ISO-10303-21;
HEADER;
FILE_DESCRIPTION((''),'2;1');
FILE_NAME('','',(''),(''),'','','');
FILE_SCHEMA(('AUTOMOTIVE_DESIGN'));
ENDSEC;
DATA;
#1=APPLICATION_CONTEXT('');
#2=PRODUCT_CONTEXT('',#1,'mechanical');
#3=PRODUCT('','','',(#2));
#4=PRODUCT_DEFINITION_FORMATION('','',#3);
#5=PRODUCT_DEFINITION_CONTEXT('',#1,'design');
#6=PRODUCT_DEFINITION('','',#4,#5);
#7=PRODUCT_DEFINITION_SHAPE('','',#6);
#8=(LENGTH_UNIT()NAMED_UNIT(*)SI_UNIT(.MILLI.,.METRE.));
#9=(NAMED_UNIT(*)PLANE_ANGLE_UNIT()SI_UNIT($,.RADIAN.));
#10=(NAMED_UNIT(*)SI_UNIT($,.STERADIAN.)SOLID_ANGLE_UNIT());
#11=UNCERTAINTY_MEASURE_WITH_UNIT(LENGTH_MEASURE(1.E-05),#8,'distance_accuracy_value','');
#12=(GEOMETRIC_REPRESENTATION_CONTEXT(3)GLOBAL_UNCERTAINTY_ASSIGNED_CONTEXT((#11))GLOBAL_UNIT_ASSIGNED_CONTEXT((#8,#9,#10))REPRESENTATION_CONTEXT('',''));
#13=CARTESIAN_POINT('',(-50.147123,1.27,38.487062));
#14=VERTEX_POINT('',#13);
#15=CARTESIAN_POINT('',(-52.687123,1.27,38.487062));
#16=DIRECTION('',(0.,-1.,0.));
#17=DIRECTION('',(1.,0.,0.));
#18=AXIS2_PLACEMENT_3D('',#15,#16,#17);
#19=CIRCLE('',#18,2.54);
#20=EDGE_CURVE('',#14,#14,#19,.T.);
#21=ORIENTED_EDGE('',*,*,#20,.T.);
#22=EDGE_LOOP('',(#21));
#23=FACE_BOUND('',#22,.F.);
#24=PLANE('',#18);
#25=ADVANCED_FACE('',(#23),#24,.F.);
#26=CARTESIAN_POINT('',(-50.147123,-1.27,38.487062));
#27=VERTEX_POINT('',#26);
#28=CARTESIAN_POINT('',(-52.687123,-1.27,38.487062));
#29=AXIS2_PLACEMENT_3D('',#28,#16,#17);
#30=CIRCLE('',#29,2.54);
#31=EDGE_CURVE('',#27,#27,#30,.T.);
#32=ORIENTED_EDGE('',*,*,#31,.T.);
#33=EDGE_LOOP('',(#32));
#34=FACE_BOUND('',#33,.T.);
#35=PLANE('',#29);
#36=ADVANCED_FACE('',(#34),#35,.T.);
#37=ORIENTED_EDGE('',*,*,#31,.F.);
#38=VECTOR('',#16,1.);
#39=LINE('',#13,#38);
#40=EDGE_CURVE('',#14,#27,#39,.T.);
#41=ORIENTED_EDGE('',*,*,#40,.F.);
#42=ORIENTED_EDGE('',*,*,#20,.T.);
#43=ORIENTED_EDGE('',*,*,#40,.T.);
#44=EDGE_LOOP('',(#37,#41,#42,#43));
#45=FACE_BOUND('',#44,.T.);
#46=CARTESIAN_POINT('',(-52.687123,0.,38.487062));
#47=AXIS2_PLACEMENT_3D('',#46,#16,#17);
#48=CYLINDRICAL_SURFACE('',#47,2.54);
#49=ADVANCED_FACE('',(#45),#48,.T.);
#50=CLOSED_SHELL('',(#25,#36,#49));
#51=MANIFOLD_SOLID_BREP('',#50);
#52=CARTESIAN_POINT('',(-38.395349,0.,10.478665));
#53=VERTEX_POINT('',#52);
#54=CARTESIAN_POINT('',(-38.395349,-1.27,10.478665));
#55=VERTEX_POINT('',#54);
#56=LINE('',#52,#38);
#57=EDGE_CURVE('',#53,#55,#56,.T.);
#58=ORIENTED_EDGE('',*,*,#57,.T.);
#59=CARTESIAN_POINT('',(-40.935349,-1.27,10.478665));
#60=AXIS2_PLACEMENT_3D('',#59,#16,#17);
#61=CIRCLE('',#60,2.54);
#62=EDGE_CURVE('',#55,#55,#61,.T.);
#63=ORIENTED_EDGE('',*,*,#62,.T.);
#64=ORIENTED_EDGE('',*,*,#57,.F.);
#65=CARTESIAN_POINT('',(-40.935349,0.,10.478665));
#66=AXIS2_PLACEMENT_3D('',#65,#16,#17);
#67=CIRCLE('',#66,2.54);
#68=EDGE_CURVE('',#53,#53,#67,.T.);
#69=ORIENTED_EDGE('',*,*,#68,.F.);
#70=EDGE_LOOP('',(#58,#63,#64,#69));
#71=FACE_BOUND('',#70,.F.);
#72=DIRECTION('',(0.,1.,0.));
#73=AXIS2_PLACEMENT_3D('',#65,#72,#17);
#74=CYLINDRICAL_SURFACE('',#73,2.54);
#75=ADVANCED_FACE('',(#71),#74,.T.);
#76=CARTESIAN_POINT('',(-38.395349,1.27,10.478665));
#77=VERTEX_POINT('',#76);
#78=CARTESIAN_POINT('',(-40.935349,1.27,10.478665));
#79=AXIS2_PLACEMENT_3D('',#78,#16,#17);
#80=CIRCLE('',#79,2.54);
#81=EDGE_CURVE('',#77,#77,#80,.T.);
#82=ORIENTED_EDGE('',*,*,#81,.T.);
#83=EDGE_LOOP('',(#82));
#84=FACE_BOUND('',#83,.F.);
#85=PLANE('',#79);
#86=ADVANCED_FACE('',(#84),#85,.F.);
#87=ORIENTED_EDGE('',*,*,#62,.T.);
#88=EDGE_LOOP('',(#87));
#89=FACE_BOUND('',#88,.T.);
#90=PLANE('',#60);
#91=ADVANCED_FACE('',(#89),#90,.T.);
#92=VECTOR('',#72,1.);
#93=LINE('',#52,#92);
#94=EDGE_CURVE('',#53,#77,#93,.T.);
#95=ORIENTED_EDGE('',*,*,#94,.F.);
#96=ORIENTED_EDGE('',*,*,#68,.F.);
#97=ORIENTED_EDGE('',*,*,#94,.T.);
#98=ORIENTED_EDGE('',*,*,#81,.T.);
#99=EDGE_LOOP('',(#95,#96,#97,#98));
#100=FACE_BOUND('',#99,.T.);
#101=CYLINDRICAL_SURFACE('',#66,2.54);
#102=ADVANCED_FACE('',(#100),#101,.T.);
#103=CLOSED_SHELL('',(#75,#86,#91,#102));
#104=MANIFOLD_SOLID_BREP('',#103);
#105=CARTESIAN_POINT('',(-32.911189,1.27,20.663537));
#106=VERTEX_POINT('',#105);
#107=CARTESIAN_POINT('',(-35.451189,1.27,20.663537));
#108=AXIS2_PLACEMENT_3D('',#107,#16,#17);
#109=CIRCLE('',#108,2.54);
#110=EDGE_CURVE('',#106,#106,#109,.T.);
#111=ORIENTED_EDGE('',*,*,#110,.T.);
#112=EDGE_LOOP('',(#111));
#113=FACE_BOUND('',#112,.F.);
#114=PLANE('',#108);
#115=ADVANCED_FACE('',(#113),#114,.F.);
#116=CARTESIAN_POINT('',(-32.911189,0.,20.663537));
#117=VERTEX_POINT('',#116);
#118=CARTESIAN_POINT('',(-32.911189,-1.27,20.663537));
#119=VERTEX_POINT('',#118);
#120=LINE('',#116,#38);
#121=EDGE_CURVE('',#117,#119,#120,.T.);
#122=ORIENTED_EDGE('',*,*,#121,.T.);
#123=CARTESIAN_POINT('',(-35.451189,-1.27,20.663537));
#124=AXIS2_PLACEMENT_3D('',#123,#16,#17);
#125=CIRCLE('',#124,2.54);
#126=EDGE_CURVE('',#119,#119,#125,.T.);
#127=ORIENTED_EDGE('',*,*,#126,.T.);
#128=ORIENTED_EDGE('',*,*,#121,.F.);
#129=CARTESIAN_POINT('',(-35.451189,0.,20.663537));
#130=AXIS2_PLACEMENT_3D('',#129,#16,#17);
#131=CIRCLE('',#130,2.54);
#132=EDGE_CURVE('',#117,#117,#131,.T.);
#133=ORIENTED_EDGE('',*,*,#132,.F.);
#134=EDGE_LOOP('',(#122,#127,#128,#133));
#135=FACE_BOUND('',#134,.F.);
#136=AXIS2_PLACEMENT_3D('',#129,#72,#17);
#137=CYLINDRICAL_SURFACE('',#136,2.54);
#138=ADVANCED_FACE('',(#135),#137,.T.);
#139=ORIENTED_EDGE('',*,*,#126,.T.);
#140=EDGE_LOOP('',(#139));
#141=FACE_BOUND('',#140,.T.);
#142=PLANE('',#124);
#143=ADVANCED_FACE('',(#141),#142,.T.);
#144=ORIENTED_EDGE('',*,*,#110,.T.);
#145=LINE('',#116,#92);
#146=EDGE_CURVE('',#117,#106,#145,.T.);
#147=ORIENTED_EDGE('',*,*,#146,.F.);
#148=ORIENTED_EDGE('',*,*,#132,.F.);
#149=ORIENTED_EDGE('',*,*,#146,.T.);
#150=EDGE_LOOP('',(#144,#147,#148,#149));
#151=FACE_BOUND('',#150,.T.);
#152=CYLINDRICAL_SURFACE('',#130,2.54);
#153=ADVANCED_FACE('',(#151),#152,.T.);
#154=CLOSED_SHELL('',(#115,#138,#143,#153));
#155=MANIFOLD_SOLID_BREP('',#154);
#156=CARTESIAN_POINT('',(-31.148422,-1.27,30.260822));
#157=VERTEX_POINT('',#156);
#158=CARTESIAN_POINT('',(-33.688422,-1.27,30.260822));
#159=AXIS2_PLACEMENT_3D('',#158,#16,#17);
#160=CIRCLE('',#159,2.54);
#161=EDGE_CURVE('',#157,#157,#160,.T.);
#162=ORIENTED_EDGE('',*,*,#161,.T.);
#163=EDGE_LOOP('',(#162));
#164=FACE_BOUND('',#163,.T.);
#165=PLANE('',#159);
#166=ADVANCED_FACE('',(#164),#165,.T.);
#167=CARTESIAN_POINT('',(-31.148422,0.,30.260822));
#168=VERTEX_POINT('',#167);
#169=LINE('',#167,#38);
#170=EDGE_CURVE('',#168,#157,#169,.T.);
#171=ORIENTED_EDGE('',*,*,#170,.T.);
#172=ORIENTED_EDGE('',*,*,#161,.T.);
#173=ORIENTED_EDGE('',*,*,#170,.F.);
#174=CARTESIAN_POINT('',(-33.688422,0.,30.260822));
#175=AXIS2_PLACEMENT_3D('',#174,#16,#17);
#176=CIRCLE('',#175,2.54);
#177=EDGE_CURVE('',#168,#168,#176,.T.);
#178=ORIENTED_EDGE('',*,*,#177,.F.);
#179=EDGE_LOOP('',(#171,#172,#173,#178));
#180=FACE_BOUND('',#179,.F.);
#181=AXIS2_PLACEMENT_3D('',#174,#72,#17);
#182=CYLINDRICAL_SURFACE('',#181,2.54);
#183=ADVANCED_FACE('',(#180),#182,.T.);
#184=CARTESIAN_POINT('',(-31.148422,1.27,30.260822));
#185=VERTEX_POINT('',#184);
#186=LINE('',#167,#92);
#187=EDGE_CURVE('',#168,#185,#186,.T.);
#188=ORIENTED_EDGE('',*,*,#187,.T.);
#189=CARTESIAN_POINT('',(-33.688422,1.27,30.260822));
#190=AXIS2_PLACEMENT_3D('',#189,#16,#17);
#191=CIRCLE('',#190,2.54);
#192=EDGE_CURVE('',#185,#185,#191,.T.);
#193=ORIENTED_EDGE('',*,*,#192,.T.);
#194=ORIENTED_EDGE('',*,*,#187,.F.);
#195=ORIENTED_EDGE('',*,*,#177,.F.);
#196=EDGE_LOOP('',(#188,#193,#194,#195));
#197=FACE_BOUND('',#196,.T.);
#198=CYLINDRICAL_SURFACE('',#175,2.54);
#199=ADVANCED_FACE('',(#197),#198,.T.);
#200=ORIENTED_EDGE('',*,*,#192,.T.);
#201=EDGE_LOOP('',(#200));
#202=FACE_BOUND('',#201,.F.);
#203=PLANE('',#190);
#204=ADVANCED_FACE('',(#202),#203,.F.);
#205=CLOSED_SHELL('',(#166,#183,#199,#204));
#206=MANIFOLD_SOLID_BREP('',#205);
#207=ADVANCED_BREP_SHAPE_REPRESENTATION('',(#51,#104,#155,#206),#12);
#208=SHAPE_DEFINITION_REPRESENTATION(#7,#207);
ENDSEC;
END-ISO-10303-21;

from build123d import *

# Parameters (mm, degrees)
F0_R     = 2.54
F1_DEPTH = 1.27


with BuildPart() as f1:
    # F0 (on Front) → F1 (new body, symmetric)
    with BuildSketch(Plane.XZ):
        with Locations((-35.451189, 20.663537)):
            Circle(F0_R)
        with Locations((-33.688422, 30.260822)):
            Circle(F0_R)
        with Locations((-40.935349, 10.478665)):
            Circle(F0_R)
        with Locations((-52.687123, 38.487062)):
            Circle(F0_R)
    extrude(amount=F1_DEPTH, both=True)


solid = f1.part
